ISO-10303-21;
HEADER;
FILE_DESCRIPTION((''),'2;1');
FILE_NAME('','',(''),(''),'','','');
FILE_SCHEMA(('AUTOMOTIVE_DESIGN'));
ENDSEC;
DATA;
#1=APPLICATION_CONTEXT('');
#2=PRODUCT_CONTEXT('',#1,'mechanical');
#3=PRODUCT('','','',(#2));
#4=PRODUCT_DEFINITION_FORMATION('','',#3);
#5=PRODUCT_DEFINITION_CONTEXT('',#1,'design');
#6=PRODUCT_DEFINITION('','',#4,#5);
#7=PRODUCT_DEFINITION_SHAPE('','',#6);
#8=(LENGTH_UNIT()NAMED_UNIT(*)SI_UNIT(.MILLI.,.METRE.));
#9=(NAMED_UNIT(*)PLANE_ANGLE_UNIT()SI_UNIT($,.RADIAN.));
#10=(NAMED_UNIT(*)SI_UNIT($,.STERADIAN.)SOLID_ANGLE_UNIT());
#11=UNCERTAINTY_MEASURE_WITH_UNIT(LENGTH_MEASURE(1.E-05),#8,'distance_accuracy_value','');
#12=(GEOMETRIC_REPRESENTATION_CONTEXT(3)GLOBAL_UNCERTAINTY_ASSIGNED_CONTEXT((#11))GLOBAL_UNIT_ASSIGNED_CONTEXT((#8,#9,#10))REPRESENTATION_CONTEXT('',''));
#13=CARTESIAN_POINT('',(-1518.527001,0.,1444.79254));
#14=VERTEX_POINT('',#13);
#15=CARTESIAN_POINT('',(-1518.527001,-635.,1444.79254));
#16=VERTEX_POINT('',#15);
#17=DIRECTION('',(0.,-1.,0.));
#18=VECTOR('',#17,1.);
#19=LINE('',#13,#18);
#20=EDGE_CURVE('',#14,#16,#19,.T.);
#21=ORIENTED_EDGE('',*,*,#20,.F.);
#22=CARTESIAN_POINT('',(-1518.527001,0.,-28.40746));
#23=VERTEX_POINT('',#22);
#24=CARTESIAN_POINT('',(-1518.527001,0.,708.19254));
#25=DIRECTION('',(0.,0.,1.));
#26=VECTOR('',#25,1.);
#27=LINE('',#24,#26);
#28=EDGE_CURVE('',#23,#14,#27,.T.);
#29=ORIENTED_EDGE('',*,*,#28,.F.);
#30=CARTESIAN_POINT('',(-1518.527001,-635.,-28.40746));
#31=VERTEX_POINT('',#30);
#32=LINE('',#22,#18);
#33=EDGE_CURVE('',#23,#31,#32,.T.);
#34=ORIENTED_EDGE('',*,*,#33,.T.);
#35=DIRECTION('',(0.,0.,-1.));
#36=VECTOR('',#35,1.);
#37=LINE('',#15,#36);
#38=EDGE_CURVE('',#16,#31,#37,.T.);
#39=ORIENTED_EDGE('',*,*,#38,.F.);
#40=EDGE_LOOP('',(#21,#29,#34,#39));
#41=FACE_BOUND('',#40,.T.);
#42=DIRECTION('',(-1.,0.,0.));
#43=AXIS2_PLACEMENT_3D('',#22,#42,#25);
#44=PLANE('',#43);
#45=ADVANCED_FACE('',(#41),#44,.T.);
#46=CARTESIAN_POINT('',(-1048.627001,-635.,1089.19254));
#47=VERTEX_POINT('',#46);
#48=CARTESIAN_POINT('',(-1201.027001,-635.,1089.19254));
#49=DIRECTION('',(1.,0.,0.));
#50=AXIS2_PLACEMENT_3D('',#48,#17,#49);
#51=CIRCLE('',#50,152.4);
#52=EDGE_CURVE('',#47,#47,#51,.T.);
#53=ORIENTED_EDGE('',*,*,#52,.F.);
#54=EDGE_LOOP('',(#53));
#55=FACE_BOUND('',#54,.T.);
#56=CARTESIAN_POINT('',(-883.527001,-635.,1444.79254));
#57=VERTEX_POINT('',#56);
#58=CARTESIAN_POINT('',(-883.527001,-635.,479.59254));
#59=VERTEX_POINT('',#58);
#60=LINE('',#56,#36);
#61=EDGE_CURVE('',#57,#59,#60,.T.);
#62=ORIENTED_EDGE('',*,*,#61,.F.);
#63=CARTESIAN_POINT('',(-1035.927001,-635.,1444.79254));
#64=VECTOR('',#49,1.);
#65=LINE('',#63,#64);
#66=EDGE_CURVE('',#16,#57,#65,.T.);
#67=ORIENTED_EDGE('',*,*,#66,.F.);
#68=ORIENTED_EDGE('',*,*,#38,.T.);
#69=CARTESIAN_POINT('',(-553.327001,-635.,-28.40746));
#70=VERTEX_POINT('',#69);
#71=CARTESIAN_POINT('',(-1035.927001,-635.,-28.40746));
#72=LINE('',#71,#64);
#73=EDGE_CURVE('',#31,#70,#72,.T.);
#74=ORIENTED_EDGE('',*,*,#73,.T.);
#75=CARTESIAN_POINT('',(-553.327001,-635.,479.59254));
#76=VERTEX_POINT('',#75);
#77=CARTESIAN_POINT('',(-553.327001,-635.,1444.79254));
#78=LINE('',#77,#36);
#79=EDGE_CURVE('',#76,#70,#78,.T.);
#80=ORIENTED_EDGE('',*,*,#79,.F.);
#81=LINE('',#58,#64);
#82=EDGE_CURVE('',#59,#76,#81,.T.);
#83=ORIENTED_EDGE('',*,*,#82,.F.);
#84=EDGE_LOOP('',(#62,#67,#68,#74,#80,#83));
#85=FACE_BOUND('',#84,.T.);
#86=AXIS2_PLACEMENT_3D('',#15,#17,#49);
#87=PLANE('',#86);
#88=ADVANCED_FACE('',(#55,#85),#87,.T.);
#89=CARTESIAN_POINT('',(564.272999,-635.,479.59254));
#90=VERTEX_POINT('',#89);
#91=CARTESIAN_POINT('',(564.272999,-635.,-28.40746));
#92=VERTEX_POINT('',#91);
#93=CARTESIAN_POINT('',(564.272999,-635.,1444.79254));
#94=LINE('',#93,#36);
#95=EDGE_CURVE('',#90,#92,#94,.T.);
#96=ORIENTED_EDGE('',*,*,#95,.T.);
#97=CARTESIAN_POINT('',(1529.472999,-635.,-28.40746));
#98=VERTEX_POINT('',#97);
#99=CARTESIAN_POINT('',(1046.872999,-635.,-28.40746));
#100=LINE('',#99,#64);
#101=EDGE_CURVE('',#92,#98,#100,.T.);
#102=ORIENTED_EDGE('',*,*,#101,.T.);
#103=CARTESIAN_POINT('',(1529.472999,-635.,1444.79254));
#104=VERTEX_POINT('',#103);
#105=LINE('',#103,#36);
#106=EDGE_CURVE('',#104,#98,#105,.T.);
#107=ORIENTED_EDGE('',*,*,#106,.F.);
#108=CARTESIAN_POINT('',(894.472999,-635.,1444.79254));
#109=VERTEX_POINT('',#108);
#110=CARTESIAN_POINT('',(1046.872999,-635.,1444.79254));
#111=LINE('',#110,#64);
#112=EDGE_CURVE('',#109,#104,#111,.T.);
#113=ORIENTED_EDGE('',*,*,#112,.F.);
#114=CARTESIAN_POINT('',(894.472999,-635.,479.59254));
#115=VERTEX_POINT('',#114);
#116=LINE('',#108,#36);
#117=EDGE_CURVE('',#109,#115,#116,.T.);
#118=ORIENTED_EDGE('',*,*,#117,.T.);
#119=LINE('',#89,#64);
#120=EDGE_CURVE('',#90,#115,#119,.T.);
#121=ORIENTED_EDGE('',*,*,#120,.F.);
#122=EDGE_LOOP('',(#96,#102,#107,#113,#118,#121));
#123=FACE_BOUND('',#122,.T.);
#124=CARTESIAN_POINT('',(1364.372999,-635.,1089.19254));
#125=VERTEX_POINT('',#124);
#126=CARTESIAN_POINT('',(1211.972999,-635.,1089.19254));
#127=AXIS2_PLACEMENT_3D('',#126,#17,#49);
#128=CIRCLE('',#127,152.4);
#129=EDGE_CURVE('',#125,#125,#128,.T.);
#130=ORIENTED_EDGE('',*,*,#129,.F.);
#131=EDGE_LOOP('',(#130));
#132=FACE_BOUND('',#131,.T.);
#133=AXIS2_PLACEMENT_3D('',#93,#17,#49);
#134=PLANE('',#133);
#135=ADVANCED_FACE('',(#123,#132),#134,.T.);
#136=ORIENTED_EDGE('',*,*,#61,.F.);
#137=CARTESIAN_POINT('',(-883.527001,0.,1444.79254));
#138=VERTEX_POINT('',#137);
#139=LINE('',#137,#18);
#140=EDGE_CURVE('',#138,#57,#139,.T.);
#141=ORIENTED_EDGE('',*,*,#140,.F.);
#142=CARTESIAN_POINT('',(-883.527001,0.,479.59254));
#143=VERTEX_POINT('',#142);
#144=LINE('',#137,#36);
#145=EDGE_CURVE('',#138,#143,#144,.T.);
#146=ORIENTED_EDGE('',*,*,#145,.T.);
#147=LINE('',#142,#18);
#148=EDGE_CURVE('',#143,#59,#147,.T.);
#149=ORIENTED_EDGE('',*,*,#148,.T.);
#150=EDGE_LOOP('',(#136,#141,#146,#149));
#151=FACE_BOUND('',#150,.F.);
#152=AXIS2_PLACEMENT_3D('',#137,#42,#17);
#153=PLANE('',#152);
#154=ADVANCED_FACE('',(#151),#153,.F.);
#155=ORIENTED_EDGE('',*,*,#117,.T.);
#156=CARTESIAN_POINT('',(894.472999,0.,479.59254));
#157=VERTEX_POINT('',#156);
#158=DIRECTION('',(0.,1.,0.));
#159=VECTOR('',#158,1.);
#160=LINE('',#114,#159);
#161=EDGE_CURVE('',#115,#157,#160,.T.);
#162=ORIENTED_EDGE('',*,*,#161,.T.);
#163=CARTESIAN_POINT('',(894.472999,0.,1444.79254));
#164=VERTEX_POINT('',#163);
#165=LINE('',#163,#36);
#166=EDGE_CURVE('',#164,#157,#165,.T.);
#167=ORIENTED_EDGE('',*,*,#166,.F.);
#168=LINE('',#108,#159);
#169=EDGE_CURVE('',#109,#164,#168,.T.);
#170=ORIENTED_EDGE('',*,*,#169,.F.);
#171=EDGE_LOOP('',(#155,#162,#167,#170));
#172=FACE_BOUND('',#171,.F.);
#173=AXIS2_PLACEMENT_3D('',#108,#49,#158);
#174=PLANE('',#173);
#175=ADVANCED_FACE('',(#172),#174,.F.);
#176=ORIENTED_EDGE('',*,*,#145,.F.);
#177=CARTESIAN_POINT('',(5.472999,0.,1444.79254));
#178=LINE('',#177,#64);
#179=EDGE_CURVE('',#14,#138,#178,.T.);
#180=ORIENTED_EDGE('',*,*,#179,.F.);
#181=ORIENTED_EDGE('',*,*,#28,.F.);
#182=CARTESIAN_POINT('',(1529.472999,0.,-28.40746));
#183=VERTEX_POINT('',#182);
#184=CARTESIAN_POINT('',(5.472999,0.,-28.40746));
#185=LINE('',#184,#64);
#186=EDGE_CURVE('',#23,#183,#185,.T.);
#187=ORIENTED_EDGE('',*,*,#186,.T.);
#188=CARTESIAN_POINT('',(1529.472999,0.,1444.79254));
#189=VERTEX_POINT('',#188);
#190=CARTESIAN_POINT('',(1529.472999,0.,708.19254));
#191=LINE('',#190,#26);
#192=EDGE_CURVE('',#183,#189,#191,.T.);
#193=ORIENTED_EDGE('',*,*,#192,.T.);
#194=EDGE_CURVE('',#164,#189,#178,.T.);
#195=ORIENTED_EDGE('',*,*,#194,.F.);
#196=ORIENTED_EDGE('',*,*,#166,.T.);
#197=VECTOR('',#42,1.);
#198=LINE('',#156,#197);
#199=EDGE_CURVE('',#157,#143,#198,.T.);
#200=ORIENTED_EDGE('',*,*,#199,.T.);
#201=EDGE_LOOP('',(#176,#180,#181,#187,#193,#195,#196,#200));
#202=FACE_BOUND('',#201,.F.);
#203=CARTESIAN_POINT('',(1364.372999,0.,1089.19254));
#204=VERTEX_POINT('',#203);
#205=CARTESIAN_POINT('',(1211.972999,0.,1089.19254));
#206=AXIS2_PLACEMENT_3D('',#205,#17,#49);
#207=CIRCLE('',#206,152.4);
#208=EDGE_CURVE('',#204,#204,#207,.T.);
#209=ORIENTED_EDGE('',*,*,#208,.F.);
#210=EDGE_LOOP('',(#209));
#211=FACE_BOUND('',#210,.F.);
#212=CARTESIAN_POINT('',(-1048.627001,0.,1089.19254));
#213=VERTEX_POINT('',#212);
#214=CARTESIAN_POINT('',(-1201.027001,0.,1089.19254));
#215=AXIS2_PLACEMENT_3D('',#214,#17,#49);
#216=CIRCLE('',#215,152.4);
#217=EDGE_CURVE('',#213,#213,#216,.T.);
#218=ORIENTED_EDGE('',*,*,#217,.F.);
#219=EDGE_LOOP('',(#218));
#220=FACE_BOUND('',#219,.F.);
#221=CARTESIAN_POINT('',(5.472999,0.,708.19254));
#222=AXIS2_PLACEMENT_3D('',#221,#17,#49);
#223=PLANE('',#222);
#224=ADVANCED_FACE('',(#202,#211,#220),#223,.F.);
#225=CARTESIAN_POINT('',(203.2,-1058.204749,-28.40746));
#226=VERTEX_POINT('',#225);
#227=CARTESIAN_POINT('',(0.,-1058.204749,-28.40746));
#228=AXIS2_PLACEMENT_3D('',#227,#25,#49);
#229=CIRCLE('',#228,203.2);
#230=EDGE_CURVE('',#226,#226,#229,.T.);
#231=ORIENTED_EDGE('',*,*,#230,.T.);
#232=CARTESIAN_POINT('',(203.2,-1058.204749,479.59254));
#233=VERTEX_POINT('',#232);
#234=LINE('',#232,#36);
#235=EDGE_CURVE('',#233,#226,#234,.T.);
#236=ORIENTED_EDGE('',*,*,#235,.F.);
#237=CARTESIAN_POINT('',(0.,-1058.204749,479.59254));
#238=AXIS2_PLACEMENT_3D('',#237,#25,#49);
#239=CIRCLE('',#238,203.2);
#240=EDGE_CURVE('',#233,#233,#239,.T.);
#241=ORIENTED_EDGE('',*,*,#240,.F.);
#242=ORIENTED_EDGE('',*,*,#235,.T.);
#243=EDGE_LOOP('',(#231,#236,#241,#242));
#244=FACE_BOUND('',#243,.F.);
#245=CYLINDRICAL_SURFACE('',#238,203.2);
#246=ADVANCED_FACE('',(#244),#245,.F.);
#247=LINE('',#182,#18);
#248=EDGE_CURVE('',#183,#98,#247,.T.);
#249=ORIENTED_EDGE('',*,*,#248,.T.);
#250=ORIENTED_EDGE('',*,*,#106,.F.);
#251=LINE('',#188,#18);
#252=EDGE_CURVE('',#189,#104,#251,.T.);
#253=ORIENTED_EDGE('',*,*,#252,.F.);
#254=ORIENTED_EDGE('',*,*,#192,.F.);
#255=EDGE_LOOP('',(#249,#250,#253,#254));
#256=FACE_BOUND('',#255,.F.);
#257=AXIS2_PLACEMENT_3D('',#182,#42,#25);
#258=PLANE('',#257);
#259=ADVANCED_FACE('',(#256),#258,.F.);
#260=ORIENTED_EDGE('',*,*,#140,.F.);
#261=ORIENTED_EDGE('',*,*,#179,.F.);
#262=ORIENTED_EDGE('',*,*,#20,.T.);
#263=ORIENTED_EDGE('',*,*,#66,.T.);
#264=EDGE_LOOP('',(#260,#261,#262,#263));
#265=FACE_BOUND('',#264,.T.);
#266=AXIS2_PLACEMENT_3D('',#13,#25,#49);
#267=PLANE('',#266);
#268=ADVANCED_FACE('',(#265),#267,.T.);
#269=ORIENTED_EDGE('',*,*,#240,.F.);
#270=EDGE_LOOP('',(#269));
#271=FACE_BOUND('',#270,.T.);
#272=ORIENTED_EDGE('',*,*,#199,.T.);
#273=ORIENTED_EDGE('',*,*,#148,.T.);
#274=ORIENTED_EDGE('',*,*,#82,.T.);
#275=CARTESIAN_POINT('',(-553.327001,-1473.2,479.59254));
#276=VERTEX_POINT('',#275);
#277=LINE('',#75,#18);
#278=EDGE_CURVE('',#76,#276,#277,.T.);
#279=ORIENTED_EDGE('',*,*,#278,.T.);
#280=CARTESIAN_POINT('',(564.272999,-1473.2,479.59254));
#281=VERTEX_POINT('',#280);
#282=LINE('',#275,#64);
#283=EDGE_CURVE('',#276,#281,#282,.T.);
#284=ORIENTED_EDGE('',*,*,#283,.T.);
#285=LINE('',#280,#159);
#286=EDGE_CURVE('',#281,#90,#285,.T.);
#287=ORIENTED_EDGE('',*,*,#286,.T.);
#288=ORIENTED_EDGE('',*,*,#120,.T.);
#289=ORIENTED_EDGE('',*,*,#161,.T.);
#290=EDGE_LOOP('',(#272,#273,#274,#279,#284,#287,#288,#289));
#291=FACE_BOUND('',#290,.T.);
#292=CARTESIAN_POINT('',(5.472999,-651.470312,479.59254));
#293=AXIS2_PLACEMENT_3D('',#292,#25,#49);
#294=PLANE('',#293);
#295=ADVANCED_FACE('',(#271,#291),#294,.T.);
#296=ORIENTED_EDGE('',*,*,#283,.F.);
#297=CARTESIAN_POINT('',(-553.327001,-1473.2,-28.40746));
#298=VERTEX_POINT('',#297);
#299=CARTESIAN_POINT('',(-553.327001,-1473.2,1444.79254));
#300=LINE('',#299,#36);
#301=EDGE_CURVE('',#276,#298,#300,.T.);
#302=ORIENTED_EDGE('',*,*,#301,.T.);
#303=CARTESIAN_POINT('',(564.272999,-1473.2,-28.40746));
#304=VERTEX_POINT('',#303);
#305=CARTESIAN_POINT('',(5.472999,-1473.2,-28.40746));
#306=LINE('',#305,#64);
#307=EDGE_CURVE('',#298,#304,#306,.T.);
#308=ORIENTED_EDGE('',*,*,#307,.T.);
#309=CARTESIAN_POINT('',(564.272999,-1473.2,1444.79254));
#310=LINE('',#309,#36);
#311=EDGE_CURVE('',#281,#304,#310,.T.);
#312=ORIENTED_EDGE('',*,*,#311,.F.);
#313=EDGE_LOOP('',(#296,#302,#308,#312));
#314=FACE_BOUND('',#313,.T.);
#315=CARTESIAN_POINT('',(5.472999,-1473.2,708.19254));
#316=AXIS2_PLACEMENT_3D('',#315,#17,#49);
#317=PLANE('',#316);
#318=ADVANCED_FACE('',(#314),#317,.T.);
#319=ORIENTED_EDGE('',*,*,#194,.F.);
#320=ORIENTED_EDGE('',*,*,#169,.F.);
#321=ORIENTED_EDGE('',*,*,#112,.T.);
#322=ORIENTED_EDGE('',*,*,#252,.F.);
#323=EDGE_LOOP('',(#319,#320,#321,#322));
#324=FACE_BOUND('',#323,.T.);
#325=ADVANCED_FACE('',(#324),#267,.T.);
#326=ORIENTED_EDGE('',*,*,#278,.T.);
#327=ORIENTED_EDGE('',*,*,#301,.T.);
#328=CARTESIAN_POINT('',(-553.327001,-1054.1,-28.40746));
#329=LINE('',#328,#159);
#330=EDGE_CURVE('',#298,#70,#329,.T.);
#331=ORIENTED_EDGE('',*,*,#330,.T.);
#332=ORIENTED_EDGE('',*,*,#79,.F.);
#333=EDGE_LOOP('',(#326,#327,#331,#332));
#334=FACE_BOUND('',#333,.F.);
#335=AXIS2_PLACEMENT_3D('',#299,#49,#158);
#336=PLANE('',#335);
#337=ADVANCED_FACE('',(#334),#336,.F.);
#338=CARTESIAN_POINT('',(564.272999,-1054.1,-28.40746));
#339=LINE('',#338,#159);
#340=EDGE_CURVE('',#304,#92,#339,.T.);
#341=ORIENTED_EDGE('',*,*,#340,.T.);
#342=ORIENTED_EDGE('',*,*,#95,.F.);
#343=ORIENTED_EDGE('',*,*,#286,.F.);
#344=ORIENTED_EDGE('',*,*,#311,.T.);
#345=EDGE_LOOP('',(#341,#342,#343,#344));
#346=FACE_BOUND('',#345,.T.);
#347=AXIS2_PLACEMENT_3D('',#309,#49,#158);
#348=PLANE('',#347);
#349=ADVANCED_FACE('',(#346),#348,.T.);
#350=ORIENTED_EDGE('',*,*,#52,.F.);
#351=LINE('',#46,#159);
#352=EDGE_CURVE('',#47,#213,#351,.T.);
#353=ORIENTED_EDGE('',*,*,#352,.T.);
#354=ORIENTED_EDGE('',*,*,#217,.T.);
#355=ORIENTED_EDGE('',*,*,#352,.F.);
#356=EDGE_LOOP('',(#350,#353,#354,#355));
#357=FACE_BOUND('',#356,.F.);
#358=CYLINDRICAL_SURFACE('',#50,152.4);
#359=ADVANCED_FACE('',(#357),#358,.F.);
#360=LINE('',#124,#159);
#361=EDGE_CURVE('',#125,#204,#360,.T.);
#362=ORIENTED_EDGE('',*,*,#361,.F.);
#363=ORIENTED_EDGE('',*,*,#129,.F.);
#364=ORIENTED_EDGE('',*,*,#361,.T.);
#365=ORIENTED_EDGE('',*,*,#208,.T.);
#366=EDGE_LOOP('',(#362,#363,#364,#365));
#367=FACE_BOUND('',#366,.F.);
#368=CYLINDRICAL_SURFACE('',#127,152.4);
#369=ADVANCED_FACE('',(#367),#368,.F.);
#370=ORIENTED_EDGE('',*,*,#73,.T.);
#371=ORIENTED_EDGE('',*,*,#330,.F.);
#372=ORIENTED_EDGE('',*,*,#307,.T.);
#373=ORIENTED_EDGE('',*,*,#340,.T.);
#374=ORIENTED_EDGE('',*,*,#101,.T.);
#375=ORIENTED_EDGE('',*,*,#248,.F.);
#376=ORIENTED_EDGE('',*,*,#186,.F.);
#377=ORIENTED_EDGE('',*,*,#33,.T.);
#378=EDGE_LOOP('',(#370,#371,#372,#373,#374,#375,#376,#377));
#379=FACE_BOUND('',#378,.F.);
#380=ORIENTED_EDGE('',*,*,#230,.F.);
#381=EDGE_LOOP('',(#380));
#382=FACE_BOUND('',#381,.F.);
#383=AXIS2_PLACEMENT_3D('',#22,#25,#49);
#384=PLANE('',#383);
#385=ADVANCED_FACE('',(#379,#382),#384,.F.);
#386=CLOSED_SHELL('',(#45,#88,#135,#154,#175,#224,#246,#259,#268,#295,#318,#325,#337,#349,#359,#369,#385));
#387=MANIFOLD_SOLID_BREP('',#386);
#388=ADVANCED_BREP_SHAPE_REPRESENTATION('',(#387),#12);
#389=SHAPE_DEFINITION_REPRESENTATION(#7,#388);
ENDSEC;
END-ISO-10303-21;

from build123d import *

# Parameters (mm, degrees)
F0_W      = 3048
F0_H      = 1473.2
F1_DEPTH  = 1473.2
F2_W      = 965.2
F2_H      = 838.2
F3_DEPTH  = 1473.2
F5_DEPTH  = 965.2
F6_R      = 152.4
F7_DEPTH  = 635
F8_R      = 152.4
F9_DEPTH  = 635
F10_R     = 203.2
F11_DEPTH = 508


with BuildPart() as f1:
    # F0 (on Front) → F1 (new body)
    with BuildSketch(Plane.XZ):
        with Locations((5.472999, 708.19254)):
            Rectangle(F0_W, F0_H)
    extrude(amount=F1_DEPTH)

    # F2 (on face) → F3 (cut)
    with BuildSketch(Plane.XY.offset(1444.79254)):
        with Locations((1046.872999, -1054.1)):
            Rectangle(F2_W, F2_H)
        with Locations((-1035.927001, -1054.1)):
            Rectangle(F2_W, F2_H)
    extrude(amount=-F3_DEPTH, mode=Mode.SUBTRACT)

    # F4 (on face) → F5 (cut)
    with BuildSketch(Plane.XY.offset(1444.79254)):
        Polygon((894.472999, 0), (-883.527001, 0), (-883.527001, -635), (-553.327001, -635), (-553.327001, -1473.2), (564.272999, -1473.2), (564.272999, -635), (894.472999, -635), align=None)
    extrude(amount=-F5_DEPTH, mode=Mode.SUBTRACT)

    # F6 (on face) → F7 (cut)
    with BuildSketch(Plane.XZ.offset(635)):
        with Locations((-1201.027001, 1089.19254)):
            Circle(F6_R)
    extrude(amount=-F7_DEPTH, mode=Mode.SUBTRACT)

    # F8 (on face) → F9 (cut)
    with BuildSketch(Plane.XZ.offset(635)):
        with Locations((1211.972999, 1089.19254)):
            Circle(F8_R)
    extrude(amount=-F9_DEPTH, mode=Mode.SUBTRACT)

    # F10 (on face) → F11 (cut)
    with BuildSketch(Plane.XY.offset(479.59254)):
        with Locations((0, -1058.204749)):
            Circle(F10_R)
    extrude(amount=-F11_DEPTH, mode=Mode.SUBTRACT)


solid = f1.part
